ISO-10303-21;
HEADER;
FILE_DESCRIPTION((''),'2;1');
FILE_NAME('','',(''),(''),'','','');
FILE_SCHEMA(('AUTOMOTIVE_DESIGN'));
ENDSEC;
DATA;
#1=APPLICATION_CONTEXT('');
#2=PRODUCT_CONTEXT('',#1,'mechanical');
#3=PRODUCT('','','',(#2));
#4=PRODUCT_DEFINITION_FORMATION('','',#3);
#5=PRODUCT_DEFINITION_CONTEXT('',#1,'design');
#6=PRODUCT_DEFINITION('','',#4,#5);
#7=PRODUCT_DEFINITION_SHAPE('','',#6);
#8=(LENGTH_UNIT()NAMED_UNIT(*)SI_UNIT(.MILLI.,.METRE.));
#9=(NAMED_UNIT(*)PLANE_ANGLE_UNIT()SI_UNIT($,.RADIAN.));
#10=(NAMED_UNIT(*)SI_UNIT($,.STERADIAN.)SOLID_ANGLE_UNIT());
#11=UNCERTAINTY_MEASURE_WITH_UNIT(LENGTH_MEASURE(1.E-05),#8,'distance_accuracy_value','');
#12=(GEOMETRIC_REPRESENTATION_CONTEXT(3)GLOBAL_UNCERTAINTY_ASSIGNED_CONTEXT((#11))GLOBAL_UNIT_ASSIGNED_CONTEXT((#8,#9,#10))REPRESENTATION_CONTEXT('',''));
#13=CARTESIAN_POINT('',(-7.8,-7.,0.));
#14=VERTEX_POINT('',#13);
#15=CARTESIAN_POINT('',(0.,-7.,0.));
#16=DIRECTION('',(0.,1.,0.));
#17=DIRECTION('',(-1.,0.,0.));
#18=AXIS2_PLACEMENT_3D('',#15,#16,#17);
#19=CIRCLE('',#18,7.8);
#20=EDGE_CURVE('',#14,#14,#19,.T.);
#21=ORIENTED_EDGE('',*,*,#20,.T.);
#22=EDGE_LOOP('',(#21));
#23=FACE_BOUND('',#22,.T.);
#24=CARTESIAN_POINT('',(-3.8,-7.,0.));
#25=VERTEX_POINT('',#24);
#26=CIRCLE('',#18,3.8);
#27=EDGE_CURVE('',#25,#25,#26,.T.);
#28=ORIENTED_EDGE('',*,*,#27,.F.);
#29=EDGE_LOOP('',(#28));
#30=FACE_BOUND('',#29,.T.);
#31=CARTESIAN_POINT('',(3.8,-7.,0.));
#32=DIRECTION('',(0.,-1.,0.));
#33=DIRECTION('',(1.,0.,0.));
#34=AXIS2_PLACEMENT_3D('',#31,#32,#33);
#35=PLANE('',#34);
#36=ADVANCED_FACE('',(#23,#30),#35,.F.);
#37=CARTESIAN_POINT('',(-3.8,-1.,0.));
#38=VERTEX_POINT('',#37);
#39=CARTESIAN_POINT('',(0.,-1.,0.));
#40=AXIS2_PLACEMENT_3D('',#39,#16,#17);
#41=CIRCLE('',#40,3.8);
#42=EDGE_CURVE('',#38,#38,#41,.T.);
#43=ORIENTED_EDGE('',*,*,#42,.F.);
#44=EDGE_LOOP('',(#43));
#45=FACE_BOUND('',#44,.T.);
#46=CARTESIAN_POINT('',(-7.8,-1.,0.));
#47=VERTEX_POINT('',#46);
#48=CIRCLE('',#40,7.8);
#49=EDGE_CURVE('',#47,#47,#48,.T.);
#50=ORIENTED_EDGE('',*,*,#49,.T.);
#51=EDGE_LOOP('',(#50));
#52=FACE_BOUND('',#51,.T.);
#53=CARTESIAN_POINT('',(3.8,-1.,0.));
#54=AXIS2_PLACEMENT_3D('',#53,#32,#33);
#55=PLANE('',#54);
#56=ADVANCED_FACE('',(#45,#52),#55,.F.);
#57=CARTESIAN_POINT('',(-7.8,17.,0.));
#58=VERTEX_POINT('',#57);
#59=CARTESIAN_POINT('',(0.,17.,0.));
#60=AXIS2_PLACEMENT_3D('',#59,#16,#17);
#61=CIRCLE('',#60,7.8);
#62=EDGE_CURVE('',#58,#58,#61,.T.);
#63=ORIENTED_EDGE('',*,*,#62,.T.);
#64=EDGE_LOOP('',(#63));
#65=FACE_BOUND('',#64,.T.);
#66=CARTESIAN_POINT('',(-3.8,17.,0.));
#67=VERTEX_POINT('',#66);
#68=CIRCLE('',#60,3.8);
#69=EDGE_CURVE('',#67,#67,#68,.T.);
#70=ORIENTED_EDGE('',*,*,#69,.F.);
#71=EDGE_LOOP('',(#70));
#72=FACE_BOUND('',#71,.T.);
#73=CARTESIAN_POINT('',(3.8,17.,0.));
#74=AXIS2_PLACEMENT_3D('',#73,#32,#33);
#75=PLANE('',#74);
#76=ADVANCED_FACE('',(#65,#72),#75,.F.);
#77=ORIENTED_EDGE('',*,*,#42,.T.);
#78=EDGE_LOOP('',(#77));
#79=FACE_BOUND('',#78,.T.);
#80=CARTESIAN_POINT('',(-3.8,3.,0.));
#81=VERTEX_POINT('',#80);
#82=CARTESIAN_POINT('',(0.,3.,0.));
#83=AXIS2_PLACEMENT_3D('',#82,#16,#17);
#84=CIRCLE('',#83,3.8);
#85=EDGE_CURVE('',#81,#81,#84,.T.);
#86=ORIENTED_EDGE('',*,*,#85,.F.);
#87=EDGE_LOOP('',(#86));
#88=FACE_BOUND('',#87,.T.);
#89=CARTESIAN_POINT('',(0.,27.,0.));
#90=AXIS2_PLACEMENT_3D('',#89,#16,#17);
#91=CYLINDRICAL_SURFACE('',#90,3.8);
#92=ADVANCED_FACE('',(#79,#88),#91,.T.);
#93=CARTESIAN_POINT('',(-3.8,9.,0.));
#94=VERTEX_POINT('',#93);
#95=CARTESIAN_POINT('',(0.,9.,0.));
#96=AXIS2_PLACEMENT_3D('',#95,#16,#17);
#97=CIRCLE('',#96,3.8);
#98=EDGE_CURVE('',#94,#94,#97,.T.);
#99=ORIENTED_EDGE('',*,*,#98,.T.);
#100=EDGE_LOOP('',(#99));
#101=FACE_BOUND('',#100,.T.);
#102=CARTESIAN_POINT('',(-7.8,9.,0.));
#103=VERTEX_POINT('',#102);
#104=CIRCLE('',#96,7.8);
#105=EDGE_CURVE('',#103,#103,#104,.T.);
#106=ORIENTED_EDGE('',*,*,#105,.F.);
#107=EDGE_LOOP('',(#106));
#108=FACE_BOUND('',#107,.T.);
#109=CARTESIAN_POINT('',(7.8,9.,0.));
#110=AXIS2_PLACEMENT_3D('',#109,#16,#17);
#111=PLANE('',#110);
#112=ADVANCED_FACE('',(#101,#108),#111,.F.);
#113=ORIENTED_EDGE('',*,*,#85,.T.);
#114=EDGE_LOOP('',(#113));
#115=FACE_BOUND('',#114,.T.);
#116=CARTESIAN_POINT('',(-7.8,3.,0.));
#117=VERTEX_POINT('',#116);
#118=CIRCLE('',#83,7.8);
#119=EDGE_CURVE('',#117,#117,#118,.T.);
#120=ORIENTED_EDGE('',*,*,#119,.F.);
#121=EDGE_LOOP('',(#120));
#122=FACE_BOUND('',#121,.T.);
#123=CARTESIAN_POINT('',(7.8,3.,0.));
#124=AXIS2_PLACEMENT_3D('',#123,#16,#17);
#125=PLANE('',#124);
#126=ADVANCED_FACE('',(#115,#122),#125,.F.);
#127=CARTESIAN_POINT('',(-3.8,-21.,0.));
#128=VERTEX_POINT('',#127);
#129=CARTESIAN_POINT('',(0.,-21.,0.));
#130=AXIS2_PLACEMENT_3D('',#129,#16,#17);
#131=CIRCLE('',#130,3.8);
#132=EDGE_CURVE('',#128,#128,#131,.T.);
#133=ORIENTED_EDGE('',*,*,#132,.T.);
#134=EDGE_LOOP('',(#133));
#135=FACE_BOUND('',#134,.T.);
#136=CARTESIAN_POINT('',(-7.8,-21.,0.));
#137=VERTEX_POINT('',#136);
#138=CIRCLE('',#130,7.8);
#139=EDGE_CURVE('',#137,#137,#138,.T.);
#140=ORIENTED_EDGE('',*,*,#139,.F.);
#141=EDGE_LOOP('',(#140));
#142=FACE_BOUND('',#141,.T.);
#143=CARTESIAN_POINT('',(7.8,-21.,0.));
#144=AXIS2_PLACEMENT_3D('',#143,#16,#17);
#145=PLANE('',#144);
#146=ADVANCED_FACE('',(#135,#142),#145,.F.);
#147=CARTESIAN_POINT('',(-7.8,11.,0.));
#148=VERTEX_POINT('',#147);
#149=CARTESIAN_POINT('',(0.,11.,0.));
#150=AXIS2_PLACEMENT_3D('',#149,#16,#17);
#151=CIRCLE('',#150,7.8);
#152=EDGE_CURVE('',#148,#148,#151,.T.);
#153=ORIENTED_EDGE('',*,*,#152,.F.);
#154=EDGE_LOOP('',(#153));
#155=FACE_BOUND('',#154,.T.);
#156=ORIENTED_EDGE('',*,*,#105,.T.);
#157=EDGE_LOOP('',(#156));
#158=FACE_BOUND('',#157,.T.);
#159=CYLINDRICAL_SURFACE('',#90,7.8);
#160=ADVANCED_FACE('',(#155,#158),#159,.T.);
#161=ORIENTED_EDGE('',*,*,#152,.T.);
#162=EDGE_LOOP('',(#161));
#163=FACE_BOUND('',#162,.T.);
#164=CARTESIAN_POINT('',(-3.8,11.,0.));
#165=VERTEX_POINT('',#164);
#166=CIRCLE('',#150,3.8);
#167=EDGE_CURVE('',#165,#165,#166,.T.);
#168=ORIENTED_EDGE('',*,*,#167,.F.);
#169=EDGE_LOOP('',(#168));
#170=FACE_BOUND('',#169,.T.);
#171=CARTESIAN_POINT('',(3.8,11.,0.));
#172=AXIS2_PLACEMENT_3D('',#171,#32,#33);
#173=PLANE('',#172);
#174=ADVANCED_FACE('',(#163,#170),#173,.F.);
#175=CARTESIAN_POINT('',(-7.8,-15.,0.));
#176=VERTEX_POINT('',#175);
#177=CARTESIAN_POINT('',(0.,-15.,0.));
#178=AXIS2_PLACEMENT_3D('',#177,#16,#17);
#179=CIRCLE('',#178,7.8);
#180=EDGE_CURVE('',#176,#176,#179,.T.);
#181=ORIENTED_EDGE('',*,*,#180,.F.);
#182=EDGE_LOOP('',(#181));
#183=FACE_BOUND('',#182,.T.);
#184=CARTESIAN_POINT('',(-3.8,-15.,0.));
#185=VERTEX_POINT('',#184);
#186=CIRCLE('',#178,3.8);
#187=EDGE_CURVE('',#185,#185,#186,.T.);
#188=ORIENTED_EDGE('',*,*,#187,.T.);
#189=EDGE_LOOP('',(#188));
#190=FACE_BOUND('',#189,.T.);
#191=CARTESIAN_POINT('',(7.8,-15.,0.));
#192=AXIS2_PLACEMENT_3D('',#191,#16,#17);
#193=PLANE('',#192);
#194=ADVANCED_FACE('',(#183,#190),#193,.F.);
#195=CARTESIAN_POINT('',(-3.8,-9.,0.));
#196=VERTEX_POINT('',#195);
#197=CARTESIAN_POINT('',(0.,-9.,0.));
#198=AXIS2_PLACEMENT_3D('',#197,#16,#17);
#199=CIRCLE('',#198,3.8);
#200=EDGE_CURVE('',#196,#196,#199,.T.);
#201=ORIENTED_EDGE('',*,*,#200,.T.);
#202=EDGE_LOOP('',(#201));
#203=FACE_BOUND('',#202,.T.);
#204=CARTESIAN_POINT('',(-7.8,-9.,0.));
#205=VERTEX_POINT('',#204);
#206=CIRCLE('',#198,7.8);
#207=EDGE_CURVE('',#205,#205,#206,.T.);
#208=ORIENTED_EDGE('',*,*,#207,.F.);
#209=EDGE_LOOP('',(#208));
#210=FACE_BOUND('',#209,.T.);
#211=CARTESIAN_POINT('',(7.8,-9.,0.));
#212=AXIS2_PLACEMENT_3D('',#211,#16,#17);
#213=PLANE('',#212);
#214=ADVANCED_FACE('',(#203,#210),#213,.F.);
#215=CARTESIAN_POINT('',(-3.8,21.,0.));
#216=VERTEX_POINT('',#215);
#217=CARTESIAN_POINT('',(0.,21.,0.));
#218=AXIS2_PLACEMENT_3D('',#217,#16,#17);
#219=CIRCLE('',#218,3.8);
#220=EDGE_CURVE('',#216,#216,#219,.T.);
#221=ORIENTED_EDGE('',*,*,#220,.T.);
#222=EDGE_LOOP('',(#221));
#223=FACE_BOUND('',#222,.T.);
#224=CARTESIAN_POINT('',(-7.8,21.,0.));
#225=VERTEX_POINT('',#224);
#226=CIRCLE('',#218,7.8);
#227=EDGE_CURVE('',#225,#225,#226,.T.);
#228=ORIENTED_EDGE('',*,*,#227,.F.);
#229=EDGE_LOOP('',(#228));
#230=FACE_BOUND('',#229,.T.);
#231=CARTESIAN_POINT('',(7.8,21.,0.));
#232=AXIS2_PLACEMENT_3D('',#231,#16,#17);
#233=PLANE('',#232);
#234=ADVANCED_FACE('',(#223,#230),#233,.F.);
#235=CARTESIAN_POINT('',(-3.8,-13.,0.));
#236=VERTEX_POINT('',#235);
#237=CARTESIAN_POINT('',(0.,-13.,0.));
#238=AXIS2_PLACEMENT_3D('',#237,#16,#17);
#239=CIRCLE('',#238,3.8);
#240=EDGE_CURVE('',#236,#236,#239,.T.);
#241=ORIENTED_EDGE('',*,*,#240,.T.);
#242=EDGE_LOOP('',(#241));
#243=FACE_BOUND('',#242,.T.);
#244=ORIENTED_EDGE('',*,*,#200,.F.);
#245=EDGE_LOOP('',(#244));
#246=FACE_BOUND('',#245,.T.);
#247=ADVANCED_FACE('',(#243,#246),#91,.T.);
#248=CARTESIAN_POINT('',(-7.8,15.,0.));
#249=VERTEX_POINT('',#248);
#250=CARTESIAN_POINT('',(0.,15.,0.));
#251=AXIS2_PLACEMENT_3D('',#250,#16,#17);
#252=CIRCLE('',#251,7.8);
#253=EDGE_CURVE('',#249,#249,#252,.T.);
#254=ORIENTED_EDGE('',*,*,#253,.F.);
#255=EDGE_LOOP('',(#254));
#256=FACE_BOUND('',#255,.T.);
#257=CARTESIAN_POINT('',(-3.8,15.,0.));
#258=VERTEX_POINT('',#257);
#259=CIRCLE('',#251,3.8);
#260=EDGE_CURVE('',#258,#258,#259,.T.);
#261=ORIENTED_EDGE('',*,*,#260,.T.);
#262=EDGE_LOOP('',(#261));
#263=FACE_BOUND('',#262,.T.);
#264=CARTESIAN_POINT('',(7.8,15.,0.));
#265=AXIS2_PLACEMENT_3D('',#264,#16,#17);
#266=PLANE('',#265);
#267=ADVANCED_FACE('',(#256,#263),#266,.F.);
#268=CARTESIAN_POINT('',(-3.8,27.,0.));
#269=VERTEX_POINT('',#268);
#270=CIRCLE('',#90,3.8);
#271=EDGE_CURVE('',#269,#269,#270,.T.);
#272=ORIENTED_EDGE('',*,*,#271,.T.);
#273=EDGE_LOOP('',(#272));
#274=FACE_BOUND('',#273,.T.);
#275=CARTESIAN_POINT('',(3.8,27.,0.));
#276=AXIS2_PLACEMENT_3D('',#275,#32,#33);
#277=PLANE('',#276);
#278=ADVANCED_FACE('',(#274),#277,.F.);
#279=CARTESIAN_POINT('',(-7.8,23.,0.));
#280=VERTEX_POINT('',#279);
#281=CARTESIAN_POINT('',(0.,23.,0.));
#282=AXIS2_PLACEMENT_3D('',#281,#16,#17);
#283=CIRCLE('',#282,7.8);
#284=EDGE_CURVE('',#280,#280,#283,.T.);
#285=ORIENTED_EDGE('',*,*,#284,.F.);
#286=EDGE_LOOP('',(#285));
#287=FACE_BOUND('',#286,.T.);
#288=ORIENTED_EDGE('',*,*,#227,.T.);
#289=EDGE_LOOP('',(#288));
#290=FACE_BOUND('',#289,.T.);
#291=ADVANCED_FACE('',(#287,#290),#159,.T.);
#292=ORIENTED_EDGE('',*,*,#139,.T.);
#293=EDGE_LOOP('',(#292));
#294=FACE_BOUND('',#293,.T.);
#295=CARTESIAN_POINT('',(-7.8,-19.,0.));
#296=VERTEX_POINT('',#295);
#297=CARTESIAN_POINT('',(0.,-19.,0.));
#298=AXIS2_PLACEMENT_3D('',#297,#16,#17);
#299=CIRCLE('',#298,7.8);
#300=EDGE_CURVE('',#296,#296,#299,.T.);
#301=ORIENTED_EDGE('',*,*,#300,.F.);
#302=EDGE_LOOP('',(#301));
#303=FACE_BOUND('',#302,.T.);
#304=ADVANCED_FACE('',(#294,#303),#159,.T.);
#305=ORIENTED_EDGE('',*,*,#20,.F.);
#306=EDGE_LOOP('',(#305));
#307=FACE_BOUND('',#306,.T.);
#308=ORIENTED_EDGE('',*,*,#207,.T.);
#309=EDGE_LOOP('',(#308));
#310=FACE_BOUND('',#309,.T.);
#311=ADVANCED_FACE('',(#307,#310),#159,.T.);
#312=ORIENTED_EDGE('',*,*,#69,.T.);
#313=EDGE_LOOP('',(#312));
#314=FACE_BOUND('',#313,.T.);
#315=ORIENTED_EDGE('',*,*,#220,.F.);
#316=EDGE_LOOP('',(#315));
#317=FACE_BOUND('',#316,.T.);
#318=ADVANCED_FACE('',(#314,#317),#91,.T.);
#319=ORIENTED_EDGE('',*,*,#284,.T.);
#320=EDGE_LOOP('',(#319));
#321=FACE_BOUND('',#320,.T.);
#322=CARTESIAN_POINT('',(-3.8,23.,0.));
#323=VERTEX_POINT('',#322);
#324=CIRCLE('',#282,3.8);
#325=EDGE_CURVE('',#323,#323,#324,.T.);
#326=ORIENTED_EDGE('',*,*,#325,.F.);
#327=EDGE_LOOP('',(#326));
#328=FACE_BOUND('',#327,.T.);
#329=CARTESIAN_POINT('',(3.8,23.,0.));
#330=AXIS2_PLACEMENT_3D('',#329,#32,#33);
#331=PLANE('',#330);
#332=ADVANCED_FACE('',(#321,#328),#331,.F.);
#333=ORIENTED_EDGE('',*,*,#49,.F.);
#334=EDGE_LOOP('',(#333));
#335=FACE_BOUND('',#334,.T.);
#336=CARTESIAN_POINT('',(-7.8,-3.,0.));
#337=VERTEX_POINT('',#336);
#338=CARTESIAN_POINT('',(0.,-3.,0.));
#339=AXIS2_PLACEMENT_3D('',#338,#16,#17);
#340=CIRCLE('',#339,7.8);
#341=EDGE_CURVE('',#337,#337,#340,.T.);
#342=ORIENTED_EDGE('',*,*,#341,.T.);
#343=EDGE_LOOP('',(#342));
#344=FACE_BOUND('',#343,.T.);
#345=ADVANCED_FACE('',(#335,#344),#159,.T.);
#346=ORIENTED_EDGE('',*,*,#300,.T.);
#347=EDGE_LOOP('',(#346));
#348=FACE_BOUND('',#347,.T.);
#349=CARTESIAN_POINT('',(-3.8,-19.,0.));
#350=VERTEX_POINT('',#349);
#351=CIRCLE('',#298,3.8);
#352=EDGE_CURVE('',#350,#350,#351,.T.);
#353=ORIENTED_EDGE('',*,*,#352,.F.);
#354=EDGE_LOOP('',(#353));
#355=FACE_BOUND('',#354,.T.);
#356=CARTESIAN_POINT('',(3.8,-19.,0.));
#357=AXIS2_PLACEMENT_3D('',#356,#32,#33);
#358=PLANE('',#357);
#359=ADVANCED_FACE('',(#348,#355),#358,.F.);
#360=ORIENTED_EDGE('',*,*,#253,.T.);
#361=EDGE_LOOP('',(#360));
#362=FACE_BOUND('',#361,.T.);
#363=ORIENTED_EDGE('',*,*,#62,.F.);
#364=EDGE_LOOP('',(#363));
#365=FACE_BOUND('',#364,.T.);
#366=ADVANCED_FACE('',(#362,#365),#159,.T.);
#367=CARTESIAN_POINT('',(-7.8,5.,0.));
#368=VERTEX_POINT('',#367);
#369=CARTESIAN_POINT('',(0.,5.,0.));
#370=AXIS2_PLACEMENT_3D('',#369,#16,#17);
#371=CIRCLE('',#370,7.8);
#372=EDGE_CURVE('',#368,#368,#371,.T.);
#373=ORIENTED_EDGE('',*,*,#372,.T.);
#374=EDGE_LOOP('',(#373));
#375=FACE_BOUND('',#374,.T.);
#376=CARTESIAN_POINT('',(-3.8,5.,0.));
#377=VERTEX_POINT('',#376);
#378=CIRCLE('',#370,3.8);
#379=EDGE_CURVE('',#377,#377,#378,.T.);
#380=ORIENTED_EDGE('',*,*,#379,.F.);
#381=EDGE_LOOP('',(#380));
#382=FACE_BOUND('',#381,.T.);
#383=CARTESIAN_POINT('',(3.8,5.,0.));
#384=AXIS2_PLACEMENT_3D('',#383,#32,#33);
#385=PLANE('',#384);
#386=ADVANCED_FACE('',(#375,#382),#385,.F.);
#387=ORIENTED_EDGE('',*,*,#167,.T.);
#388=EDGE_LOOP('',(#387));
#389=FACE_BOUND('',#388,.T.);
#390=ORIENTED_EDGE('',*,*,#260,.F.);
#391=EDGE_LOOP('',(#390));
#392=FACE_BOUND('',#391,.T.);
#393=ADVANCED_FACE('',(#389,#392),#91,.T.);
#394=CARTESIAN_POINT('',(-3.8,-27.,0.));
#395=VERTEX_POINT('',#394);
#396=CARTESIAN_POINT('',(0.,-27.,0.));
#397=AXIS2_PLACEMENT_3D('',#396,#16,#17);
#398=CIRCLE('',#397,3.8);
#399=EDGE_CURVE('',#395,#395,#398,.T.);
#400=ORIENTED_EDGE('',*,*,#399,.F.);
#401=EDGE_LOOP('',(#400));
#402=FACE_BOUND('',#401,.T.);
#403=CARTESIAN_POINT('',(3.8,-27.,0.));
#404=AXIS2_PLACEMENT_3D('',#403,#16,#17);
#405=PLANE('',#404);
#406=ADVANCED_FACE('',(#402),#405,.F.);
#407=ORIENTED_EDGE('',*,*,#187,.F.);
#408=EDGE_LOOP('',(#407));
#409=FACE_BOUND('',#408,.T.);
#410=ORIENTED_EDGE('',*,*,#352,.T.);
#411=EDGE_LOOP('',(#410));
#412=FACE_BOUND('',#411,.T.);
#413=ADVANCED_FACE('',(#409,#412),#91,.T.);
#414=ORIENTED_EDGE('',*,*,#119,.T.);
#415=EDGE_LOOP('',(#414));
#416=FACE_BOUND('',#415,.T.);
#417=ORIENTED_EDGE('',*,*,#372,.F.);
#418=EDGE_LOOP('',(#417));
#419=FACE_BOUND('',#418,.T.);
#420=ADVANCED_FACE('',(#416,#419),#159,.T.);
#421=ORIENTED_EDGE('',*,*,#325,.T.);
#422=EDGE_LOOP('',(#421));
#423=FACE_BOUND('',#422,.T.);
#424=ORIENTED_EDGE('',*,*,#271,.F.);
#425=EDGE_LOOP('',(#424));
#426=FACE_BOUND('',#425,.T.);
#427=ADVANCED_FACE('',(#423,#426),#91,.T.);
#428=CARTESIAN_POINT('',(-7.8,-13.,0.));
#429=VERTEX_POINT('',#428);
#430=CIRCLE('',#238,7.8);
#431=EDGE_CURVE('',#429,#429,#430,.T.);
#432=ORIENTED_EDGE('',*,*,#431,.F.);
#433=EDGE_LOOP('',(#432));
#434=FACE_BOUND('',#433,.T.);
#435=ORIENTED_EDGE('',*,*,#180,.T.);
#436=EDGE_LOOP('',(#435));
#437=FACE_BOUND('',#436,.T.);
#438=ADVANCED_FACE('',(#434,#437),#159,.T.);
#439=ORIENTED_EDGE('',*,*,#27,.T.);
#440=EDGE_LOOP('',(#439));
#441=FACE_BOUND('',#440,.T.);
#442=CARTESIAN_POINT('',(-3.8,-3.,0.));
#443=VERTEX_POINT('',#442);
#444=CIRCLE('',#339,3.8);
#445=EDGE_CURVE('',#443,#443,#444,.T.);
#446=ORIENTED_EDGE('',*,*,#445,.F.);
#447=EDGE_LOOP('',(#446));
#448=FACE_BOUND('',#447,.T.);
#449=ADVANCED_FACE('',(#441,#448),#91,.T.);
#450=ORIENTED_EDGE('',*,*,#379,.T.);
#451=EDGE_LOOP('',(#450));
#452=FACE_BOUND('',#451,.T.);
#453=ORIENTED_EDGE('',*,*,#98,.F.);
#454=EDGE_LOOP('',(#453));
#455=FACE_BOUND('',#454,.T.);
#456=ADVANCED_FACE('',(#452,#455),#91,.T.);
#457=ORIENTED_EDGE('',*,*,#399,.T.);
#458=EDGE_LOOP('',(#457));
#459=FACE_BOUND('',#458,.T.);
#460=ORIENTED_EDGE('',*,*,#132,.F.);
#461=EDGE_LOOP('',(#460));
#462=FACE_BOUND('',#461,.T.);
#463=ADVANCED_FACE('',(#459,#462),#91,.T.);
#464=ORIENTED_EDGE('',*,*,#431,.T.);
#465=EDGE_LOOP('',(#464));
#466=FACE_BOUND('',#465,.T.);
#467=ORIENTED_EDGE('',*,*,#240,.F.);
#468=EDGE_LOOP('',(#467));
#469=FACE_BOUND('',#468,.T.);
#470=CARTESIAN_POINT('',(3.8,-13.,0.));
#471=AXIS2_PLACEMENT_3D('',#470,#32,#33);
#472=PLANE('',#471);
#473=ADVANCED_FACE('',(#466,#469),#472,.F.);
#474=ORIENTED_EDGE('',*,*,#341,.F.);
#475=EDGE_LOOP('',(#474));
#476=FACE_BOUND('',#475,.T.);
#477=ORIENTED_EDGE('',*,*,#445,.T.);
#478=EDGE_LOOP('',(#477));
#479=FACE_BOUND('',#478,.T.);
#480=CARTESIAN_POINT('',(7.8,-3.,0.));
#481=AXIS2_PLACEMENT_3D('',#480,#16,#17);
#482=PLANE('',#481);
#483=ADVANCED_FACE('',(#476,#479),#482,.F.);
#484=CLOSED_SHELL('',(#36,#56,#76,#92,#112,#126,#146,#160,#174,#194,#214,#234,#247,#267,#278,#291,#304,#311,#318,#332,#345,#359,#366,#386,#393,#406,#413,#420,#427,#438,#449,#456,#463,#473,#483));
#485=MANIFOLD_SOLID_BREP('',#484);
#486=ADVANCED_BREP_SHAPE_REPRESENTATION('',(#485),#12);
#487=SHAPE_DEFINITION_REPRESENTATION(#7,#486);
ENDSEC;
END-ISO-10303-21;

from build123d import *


with BuildPart() as part:
    # Sketch1 → Revolve1 (revolve)
    with BuildSketch(Plane.XY, mode=Mode.PRIVATE) as revolve1_sk:
        Polygon((3.8, 24), (3.8, 23), (7.8, 23), (7.8, 21), (3.8, 21), (3.8, 18), (3.8, 17), (7.8, 17), (7.8, 15), (3.8, 15), (3.8, 12), (3.8, 11), (7.8, 11), (7.8, 9), (3.8, 9), (3.8, 6), (3.8, 5), (7.8, 5), (7.8, 3), (3.8, 3), (3.8, 0), (3.8, -1), (7.8, -1), (7.8, -3), (3.8, -3), (3.8, -6), (3.8, -7), (7.8, -7), (7.8, -9), (3.8, -9), (3.8, -12), (3.8, -13), (7.8, -13), (7.8, -15), (3.8, -15), (3.8, -18), (3.8, -19), (7.8, -19), (7.8, -21), (3.8, -21), (3.8, -24), (3.8, -27), (0, -27), (0, 27), (3.8, 27), align=None)
    revolve(revolve1_sk.sketch.rotate(Axis((0, 27, 0), (0, -1, 0)), 180), axis=Axis((0, 27, 0), (0, -1, 0)))


solid = part.part
